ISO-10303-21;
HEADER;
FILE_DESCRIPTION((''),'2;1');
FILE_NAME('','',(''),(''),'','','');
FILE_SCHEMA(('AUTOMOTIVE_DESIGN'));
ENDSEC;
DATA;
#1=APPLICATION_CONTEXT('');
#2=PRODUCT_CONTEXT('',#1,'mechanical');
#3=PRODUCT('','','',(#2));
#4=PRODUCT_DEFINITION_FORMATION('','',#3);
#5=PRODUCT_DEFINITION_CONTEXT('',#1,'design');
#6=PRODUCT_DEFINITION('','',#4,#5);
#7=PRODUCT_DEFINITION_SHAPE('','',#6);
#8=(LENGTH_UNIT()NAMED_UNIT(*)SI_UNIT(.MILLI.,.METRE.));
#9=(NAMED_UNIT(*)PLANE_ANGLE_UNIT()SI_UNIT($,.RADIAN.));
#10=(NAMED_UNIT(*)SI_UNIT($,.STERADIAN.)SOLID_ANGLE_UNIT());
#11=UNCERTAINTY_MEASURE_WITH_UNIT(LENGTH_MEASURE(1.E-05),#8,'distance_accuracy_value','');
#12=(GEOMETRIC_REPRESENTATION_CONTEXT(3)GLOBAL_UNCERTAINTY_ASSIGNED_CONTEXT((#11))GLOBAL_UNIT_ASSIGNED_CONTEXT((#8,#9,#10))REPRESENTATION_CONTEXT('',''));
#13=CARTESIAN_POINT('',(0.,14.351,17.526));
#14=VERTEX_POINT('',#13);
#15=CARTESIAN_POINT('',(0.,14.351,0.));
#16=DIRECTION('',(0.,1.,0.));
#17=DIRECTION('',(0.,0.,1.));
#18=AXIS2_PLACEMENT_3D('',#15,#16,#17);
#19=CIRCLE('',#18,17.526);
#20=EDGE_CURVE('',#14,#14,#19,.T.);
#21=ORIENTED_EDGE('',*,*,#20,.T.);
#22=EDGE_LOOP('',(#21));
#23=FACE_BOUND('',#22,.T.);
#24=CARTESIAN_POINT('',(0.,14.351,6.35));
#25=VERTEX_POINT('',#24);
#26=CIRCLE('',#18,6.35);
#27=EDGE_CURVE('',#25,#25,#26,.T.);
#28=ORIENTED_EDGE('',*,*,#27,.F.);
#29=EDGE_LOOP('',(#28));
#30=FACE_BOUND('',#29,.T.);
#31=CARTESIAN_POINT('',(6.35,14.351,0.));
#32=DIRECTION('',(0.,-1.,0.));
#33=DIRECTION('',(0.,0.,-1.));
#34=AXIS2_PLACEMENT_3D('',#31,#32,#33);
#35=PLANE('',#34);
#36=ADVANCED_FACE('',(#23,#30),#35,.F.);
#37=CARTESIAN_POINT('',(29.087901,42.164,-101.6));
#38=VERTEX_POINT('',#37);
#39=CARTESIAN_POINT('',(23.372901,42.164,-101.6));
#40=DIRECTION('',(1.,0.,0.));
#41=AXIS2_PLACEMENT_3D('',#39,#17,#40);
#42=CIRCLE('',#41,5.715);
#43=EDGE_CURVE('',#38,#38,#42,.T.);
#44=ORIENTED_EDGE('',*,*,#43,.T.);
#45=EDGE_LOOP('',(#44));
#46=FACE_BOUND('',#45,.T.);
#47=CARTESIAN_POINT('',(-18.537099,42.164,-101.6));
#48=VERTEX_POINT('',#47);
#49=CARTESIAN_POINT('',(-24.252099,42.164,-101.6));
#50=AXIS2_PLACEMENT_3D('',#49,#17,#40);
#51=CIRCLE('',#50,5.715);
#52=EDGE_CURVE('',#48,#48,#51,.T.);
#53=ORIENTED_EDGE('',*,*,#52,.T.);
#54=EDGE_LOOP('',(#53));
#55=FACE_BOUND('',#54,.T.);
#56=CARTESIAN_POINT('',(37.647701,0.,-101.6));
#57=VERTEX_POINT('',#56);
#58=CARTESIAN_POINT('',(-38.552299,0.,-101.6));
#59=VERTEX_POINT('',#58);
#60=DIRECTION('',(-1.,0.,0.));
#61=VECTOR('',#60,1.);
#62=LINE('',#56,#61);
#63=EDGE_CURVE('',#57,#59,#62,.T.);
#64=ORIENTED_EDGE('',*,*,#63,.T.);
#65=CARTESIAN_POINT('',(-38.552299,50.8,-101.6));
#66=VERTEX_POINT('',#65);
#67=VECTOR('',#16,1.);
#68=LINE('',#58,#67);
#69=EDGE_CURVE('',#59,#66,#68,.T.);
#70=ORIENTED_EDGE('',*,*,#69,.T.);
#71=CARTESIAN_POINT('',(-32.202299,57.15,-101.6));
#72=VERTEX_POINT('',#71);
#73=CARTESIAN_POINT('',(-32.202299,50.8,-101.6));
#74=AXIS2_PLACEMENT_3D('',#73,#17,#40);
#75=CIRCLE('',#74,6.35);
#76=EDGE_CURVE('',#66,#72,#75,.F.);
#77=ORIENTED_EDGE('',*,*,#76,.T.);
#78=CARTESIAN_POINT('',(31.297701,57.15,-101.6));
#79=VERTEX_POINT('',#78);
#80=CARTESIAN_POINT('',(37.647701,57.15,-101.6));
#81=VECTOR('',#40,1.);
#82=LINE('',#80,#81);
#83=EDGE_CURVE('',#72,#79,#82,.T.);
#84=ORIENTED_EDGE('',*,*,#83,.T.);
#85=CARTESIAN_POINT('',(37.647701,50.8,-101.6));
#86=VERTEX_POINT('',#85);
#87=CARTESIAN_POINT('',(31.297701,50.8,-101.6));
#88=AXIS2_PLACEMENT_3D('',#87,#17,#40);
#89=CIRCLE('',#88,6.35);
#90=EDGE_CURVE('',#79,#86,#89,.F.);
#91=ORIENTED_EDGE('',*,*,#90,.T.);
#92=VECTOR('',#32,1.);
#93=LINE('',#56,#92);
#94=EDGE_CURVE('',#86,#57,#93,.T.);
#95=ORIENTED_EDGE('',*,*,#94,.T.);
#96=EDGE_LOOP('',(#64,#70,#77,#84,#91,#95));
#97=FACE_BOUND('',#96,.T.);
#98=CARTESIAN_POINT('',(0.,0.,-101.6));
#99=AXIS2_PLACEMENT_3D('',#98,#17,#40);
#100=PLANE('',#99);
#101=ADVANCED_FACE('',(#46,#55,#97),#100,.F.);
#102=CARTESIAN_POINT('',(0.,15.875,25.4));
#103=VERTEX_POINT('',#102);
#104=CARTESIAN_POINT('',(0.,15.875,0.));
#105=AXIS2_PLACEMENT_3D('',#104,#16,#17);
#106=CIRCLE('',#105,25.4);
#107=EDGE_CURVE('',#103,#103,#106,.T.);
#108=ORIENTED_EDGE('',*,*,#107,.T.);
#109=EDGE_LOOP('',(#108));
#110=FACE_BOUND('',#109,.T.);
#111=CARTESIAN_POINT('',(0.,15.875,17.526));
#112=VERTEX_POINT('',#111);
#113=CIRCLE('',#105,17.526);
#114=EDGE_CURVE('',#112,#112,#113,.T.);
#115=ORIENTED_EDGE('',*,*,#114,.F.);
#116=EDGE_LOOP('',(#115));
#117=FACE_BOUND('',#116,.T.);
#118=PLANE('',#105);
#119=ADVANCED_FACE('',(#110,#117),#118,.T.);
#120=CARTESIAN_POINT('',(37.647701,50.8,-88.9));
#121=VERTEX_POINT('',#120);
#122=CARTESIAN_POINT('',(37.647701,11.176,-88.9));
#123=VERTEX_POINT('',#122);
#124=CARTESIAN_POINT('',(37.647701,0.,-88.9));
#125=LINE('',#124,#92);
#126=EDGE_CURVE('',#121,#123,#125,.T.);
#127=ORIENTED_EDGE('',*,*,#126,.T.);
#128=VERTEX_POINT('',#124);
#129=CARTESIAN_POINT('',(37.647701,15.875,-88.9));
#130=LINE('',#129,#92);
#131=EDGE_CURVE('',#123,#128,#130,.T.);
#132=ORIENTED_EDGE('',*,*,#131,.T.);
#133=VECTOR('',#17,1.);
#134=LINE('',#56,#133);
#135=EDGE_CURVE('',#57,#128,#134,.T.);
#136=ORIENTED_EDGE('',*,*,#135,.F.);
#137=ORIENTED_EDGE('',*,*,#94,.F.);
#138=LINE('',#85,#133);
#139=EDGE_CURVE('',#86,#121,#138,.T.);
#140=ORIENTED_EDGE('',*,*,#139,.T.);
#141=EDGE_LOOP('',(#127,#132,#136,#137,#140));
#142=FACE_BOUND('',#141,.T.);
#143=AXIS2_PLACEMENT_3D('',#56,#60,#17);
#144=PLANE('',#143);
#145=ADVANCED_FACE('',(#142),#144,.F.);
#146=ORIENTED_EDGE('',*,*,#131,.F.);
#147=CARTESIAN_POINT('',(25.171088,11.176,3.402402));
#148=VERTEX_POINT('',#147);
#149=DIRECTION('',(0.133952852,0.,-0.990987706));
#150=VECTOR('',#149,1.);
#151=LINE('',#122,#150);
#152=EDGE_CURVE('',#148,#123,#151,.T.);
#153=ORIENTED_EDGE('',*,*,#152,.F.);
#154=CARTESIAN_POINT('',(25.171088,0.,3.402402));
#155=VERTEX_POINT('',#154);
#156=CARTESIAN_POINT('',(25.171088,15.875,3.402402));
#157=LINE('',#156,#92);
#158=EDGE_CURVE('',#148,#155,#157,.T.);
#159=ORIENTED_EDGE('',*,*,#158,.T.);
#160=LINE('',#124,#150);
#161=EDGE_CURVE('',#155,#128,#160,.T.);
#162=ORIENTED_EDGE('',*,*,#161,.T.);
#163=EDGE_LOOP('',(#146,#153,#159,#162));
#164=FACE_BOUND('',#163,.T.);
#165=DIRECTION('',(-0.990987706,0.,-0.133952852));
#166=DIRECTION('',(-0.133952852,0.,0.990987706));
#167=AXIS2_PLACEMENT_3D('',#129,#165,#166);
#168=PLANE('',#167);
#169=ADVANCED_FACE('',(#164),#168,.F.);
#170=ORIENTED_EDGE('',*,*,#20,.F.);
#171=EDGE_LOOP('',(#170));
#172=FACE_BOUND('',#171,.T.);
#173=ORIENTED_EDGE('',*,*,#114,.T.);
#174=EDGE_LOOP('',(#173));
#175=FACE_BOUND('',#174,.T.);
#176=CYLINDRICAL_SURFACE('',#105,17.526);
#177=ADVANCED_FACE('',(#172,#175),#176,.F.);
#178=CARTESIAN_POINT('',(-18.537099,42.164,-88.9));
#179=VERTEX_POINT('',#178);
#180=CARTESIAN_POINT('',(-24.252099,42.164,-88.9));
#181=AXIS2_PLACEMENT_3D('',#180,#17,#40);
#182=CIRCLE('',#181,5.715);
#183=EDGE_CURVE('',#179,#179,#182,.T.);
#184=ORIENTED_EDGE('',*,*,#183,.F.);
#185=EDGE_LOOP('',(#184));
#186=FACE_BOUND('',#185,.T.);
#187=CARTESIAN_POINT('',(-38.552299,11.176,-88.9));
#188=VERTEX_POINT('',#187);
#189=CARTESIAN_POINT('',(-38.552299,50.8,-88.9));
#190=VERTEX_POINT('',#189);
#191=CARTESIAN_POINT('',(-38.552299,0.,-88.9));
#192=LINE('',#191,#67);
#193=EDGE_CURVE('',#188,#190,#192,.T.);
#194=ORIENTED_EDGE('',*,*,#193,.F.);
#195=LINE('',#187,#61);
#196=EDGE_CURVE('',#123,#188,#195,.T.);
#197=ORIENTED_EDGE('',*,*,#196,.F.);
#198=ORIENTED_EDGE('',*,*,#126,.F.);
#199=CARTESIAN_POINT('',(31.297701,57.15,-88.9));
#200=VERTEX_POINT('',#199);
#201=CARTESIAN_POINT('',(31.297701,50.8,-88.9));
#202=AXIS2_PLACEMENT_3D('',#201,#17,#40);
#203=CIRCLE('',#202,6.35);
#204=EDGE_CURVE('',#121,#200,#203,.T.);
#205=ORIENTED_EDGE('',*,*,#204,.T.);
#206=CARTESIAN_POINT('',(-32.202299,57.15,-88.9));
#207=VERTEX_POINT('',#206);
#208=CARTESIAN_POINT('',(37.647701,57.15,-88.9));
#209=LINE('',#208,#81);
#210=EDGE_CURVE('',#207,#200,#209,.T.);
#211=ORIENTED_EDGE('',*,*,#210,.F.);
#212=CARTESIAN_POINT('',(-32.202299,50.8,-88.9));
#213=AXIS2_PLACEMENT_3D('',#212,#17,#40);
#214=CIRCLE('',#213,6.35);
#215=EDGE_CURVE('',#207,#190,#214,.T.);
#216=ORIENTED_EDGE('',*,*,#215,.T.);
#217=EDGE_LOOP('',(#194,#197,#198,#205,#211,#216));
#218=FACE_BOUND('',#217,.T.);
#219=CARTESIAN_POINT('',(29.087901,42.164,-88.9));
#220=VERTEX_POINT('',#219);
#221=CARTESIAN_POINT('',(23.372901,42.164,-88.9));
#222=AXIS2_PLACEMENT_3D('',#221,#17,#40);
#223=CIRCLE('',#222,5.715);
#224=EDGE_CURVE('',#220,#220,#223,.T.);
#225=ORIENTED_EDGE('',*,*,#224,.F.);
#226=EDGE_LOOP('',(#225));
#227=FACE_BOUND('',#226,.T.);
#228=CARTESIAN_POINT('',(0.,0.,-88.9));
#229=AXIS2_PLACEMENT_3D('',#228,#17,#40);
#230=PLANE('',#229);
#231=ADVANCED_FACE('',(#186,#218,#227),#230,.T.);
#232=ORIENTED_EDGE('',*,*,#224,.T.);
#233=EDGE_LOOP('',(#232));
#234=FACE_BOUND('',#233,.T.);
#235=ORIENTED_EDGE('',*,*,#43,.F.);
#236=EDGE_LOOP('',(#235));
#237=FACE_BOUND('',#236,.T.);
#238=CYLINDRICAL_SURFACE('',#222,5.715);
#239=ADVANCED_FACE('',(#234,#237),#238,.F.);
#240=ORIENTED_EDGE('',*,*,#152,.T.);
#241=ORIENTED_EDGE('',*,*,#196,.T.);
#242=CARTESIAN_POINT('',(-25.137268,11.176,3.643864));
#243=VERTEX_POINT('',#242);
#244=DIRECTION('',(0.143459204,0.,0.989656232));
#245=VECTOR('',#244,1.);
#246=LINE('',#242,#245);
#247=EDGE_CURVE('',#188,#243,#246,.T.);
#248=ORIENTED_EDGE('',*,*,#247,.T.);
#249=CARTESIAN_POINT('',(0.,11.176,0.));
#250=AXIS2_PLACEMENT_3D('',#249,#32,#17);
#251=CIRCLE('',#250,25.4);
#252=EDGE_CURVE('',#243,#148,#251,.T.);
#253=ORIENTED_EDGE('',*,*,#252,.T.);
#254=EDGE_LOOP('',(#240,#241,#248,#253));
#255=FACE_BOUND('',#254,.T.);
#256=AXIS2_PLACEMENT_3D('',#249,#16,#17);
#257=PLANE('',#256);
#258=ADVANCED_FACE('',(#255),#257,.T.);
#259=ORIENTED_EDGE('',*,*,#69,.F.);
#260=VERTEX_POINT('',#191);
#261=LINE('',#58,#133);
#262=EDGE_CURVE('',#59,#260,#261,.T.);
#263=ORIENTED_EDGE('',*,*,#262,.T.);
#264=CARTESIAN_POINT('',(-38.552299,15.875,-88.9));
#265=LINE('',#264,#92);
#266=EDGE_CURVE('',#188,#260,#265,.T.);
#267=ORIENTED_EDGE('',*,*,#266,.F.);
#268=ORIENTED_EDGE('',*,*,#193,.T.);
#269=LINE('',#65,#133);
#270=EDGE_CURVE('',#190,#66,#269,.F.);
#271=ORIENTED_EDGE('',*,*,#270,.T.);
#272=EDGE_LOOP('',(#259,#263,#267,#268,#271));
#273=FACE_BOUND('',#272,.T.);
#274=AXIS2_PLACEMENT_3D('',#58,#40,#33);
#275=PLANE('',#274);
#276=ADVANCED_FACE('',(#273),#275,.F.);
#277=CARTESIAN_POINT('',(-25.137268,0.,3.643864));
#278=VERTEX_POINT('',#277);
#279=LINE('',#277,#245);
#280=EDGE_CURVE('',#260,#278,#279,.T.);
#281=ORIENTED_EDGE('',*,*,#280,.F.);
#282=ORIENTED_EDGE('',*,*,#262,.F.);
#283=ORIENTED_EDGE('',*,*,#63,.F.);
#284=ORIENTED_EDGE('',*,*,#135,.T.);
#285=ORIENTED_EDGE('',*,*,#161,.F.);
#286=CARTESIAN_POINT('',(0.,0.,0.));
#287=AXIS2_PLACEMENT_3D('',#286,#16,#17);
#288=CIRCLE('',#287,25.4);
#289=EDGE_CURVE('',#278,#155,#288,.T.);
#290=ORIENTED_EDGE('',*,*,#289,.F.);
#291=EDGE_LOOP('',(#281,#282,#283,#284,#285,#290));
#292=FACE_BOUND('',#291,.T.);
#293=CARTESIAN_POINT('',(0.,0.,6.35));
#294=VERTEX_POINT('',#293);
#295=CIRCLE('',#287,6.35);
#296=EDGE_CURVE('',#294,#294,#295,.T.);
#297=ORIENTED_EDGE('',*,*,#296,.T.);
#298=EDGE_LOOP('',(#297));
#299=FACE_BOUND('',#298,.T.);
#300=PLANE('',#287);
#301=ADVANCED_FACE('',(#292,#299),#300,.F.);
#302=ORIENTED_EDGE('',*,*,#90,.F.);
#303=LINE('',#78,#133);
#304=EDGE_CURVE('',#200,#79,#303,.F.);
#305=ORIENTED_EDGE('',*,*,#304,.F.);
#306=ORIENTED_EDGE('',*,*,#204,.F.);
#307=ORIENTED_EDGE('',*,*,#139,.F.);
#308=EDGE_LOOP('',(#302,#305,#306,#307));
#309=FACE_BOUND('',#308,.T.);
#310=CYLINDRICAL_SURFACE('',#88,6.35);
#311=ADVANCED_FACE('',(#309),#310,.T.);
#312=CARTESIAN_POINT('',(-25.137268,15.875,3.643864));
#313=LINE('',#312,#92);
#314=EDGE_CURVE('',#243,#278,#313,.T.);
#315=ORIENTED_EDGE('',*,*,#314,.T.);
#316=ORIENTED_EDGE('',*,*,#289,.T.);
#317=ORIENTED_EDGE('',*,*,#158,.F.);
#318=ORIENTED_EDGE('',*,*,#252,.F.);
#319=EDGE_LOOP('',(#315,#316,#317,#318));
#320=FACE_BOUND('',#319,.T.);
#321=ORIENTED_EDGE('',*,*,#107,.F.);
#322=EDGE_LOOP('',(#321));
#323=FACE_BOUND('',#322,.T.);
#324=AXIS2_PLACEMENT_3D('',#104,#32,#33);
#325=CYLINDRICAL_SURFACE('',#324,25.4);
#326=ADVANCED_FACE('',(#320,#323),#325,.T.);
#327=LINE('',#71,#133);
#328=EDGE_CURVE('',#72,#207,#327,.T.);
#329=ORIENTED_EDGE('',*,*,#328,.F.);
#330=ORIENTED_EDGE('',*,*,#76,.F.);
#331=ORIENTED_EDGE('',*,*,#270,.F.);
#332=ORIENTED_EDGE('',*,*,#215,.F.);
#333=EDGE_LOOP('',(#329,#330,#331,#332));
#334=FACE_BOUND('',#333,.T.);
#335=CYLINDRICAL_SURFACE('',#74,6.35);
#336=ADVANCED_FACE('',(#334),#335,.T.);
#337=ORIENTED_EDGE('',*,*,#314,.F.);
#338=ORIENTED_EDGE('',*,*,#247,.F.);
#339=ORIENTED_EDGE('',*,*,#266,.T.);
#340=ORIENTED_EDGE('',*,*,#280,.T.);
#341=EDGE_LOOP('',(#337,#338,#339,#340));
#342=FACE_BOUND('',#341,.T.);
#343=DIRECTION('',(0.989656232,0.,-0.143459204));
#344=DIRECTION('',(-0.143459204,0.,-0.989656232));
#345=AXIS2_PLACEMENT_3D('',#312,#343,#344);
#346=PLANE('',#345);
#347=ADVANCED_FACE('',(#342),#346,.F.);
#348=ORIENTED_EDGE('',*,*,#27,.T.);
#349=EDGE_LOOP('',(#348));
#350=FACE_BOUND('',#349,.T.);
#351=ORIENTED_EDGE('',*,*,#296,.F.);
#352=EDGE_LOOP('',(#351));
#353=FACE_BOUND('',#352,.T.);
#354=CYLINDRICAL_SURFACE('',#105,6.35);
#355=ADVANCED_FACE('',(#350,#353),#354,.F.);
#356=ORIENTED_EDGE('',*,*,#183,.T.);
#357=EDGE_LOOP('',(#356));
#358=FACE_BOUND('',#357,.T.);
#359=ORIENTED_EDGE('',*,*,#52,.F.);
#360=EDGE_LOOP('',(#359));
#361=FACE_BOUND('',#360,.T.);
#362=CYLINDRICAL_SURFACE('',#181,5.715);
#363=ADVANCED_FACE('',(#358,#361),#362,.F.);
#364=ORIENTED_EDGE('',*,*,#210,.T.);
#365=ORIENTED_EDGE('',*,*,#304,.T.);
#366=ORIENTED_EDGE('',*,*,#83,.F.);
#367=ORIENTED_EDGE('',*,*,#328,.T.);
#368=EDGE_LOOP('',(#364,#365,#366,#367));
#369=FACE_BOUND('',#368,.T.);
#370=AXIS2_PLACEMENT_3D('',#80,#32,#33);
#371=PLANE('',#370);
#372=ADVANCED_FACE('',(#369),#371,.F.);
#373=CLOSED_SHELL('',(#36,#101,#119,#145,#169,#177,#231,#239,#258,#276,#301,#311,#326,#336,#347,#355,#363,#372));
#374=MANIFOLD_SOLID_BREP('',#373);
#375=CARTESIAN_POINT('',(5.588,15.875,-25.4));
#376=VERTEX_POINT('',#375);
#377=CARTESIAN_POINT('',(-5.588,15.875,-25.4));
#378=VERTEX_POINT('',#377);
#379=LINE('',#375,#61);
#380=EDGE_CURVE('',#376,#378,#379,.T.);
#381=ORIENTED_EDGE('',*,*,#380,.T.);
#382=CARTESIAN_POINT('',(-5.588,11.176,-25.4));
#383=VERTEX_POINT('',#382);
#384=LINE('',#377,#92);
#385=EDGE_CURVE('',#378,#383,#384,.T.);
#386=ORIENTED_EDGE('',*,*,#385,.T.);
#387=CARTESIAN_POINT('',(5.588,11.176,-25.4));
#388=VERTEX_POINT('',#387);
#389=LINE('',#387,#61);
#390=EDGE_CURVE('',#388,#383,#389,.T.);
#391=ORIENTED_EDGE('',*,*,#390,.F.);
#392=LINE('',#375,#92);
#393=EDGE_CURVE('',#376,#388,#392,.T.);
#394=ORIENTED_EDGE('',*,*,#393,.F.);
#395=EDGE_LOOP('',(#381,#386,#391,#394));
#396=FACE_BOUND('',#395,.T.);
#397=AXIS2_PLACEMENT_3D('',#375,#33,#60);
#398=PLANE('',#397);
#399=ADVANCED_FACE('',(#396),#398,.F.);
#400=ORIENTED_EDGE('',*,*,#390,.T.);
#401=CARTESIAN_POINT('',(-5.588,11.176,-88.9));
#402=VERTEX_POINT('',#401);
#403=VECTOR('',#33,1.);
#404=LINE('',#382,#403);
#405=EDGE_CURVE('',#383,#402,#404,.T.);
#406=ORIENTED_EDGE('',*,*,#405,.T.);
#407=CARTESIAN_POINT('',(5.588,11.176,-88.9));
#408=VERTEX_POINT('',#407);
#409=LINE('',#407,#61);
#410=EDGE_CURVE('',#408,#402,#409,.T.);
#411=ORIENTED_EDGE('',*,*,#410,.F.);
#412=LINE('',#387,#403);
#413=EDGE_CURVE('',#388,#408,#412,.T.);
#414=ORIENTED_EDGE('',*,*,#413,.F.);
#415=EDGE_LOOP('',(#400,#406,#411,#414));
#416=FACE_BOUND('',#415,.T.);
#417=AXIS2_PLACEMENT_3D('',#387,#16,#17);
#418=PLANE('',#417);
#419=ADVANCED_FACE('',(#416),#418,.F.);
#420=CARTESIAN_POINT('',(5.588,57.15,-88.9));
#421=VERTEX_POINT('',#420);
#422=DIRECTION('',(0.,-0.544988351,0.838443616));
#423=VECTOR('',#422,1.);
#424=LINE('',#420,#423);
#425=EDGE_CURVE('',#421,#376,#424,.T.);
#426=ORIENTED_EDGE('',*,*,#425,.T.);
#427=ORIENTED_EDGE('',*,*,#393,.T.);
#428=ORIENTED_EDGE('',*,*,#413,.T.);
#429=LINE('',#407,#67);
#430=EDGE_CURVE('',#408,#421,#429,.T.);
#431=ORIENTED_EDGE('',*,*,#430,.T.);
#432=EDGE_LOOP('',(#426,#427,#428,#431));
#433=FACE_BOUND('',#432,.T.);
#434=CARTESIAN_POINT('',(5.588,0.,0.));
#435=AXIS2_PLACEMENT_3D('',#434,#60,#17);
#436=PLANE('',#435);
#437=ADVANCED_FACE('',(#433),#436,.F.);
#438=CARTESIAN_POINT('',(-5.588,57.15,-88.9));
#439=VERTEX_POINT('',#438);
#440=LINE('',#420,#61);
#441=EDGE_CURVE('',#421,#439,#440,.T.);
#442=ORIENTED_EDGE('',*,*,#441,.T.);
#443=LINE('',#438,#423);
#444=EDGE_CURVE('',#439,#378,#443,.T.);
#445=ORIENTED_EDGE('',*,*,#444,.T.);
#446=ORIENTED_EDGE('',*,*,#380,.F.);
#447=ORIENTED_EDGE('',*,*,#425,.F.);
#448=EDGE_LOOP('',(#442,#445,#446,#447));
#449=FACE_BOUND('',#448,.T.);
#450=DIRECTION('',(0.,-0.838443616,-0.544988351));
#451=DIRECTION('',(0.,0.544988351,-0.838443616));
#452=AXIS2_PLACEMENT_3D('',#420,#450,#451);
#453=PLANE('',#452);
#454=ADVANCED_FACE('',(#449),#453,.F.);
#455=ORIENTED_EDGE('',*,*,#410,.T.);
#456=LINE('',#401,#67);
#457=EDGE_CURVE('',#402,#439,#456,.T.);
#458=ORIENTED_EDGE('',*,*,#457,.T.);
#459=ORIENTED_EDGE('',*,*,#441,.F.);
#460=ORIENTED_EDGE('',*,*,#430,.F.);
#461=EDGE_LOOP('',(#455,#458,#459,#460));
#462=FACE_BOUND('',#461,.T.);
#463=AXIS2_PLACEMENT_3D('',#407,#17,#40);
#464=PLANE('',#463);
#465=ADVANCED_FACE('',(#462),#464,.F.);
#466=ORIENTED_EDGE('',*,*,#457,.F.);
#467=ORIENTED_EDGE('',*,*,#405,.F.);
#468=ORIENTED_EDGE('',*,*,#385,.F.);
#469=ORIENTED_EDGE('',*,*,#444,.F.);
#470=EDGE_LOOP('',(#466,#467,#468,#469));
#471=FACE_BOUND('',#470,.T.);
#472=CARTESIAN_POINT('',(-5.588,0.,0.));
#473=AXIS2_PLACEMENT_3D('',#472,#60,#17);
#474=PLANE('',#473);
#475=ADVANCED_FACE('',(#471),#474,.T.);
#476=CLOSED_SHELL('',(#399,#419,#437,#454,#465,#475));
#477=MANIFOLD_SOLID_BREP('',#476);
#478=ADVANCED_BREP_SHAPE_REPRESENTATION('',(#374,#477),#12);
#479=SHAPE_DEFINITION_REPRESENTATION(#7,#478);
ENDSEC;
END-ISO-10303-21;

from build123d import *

# Parameters (mm, degrees)
BOSS_EXTRUDE1_DEPTH                  = 15.875
CUT_EXTRUDE1_START                   = -4.699
CUT_EXTRUDE1_DEPTH                   = 4.699
SKETCH4_W                            = 76.2
SKETCH4_H                            = 57.15
BOSS_EXTRUDE2_DEPTH                  = 12.7
BOSS_EXTRUDE4_DEPTH                  = 5.588
SKETCH9_W                            = 5.715
SKETCH9_H                            = 12.7
F_1_4_0_45_DIAMETER_HOLE1_AT_2_COUNT = 2
F_1_4_0_45_DIAMETER_HOLE1_AT_2_PITCH = 47.625
FILLET1_R                            = 6.35


with BuildPart() as part:
    # Sketch1 → Boss-Extrude1 (new body)
    with BuildSketch(Plane(origin=(0, 0, 0), x_dir=(1, 0, 0), z_dir=(0, 1, 0))):
        with BuildLine():
            Line((-25.137268282, -3.643863787), (-38.552299312, 88.9))
            Line((-38.552299312, 88.9), (37.647700688, 88.9))
            Line((37.647700688, 88.9), (25.171087732, -3.40240244))
            ThreePointArc((25.171087732, -3.40240244), (0.121909123, -25.399707443), (-25.137268282, -3.643863787))
        make_face()
    extrude(amount=BOSS_EXTRUDE1_DEPTH)

    # Sketch2 → Cut-Extrude1 (cut)
    with BuildSketch(Plane(origin=(0, 15.875, 0), x_dir=(1, 0, 0), z_dir=(0, 1, 0)).offset(CUT_EXTRUDE1_START)):
        with BuildLine():
            Line((-38.552299312, 88.9), (37.647700688, 88.9))
            Line((37.647700688, 88.9), (25.171087732, -3.40240244))
            ThreePointArc((25.171087732, -3.40240244), (-0.121909123, 25.399707443), (-25.137268282, -3.643863787))
            Line((-25.137268282, -3.643863787), (-38.552299312, 88.9))
        make_face()
    extrude(amount=CUT_EXTRUDE1_DEPTH, mode=Mode.SUBTRACT)

    # Sketch4 → Boss-Extrude2 (add)
    with BuildSketch(Plane(origin=(0, 0, -88.9), x_dir=(-1, 0, 0), z_dir=(0, 0, -1))):
        with Locations((0.452299312, 28.575)):
            Rectangle(SKETCH4_W, SKETCH4_H)
    extrude(amount=BOSS_EXTRUDE2_DEPTH)

    # Sketch7 → CBORE for 1/4 Binding Head Machine Screw1 (revolve, cut)
    with BuildSketch(Plane(origin=(0, 15.875, 0), x_dir=(0, 0, 1), z_dir=(1, 0, 0))):
        Polygon((0, 0), (0, 15.875), (6.35, 15.875), (6.35, 1.524), (17.526, 1.524), (17.526, 0), align=None)
    revolve(axis=Axis((0, 22.225, 0), (0, -1, 0)), mode=Mode.SUBTRACT)

    # Sketch9 → 1/4 (0.45) Diameter Hole1 (revolve, cut)
    with BuildSketch(Plane(origin=(-24.252099312, 42.164, -88.9), x_dir=(0, -1, 0), z_dir=(1, 0, 0))):
        with Locations((2.8575, 6.35)):
            Rectangle(SKETCH9_W, SKETCH9_H)
    f_1_4_0_45_diameter_hole1 = revolve(axis=Axis((-24.252099312, 42.164, -82.55), (0, 0, -1)), mode=Mode.SUBTRACT)

    # 1/4 (0.45) Diameter Hole1 at 2: 1/4 (0.45) Diameter Hole1 ×2
    with Locations(*[(i * F_1_4_0_45_DIAMETER_HOLE1_AT_2_PITCH, 0, 0) for i in range(1, F_1_4_0_45_DIAMETER_HOLE1_AT_2_COUNT)]):
        add(f_1_4_0_45_diameter_hole1, mode=Mode.SUBTRACT)

    # Fillet1
    fillet1_edges = [part.edges().sort_by_distance(p)[0] for p in [
        (37.647700688, 57.15, -95.25),
        (-38.552299312, 57.15, -95.25),
    ]]
    fillet(fillet1_edges, radius=FILLET1_R)


with BuildPart() as body_2:
    # Sketch5 → Boss-Extrude4 (new, symmetric)
    with BuildSketch(Plane(origin=(0, 0, 0), x_dir=(0, 0, -1), z_dir=(1, 0, 0))):
        Polygon((88.9, 57.15), (25.4, 15.875), (25.4, 11.176), (88.9, 11.176), align=None)
    extrude(amount=BOSS_EXTRUDE4_DEPTH, both=True)


solid = Compound([part.part, body_2.part])
